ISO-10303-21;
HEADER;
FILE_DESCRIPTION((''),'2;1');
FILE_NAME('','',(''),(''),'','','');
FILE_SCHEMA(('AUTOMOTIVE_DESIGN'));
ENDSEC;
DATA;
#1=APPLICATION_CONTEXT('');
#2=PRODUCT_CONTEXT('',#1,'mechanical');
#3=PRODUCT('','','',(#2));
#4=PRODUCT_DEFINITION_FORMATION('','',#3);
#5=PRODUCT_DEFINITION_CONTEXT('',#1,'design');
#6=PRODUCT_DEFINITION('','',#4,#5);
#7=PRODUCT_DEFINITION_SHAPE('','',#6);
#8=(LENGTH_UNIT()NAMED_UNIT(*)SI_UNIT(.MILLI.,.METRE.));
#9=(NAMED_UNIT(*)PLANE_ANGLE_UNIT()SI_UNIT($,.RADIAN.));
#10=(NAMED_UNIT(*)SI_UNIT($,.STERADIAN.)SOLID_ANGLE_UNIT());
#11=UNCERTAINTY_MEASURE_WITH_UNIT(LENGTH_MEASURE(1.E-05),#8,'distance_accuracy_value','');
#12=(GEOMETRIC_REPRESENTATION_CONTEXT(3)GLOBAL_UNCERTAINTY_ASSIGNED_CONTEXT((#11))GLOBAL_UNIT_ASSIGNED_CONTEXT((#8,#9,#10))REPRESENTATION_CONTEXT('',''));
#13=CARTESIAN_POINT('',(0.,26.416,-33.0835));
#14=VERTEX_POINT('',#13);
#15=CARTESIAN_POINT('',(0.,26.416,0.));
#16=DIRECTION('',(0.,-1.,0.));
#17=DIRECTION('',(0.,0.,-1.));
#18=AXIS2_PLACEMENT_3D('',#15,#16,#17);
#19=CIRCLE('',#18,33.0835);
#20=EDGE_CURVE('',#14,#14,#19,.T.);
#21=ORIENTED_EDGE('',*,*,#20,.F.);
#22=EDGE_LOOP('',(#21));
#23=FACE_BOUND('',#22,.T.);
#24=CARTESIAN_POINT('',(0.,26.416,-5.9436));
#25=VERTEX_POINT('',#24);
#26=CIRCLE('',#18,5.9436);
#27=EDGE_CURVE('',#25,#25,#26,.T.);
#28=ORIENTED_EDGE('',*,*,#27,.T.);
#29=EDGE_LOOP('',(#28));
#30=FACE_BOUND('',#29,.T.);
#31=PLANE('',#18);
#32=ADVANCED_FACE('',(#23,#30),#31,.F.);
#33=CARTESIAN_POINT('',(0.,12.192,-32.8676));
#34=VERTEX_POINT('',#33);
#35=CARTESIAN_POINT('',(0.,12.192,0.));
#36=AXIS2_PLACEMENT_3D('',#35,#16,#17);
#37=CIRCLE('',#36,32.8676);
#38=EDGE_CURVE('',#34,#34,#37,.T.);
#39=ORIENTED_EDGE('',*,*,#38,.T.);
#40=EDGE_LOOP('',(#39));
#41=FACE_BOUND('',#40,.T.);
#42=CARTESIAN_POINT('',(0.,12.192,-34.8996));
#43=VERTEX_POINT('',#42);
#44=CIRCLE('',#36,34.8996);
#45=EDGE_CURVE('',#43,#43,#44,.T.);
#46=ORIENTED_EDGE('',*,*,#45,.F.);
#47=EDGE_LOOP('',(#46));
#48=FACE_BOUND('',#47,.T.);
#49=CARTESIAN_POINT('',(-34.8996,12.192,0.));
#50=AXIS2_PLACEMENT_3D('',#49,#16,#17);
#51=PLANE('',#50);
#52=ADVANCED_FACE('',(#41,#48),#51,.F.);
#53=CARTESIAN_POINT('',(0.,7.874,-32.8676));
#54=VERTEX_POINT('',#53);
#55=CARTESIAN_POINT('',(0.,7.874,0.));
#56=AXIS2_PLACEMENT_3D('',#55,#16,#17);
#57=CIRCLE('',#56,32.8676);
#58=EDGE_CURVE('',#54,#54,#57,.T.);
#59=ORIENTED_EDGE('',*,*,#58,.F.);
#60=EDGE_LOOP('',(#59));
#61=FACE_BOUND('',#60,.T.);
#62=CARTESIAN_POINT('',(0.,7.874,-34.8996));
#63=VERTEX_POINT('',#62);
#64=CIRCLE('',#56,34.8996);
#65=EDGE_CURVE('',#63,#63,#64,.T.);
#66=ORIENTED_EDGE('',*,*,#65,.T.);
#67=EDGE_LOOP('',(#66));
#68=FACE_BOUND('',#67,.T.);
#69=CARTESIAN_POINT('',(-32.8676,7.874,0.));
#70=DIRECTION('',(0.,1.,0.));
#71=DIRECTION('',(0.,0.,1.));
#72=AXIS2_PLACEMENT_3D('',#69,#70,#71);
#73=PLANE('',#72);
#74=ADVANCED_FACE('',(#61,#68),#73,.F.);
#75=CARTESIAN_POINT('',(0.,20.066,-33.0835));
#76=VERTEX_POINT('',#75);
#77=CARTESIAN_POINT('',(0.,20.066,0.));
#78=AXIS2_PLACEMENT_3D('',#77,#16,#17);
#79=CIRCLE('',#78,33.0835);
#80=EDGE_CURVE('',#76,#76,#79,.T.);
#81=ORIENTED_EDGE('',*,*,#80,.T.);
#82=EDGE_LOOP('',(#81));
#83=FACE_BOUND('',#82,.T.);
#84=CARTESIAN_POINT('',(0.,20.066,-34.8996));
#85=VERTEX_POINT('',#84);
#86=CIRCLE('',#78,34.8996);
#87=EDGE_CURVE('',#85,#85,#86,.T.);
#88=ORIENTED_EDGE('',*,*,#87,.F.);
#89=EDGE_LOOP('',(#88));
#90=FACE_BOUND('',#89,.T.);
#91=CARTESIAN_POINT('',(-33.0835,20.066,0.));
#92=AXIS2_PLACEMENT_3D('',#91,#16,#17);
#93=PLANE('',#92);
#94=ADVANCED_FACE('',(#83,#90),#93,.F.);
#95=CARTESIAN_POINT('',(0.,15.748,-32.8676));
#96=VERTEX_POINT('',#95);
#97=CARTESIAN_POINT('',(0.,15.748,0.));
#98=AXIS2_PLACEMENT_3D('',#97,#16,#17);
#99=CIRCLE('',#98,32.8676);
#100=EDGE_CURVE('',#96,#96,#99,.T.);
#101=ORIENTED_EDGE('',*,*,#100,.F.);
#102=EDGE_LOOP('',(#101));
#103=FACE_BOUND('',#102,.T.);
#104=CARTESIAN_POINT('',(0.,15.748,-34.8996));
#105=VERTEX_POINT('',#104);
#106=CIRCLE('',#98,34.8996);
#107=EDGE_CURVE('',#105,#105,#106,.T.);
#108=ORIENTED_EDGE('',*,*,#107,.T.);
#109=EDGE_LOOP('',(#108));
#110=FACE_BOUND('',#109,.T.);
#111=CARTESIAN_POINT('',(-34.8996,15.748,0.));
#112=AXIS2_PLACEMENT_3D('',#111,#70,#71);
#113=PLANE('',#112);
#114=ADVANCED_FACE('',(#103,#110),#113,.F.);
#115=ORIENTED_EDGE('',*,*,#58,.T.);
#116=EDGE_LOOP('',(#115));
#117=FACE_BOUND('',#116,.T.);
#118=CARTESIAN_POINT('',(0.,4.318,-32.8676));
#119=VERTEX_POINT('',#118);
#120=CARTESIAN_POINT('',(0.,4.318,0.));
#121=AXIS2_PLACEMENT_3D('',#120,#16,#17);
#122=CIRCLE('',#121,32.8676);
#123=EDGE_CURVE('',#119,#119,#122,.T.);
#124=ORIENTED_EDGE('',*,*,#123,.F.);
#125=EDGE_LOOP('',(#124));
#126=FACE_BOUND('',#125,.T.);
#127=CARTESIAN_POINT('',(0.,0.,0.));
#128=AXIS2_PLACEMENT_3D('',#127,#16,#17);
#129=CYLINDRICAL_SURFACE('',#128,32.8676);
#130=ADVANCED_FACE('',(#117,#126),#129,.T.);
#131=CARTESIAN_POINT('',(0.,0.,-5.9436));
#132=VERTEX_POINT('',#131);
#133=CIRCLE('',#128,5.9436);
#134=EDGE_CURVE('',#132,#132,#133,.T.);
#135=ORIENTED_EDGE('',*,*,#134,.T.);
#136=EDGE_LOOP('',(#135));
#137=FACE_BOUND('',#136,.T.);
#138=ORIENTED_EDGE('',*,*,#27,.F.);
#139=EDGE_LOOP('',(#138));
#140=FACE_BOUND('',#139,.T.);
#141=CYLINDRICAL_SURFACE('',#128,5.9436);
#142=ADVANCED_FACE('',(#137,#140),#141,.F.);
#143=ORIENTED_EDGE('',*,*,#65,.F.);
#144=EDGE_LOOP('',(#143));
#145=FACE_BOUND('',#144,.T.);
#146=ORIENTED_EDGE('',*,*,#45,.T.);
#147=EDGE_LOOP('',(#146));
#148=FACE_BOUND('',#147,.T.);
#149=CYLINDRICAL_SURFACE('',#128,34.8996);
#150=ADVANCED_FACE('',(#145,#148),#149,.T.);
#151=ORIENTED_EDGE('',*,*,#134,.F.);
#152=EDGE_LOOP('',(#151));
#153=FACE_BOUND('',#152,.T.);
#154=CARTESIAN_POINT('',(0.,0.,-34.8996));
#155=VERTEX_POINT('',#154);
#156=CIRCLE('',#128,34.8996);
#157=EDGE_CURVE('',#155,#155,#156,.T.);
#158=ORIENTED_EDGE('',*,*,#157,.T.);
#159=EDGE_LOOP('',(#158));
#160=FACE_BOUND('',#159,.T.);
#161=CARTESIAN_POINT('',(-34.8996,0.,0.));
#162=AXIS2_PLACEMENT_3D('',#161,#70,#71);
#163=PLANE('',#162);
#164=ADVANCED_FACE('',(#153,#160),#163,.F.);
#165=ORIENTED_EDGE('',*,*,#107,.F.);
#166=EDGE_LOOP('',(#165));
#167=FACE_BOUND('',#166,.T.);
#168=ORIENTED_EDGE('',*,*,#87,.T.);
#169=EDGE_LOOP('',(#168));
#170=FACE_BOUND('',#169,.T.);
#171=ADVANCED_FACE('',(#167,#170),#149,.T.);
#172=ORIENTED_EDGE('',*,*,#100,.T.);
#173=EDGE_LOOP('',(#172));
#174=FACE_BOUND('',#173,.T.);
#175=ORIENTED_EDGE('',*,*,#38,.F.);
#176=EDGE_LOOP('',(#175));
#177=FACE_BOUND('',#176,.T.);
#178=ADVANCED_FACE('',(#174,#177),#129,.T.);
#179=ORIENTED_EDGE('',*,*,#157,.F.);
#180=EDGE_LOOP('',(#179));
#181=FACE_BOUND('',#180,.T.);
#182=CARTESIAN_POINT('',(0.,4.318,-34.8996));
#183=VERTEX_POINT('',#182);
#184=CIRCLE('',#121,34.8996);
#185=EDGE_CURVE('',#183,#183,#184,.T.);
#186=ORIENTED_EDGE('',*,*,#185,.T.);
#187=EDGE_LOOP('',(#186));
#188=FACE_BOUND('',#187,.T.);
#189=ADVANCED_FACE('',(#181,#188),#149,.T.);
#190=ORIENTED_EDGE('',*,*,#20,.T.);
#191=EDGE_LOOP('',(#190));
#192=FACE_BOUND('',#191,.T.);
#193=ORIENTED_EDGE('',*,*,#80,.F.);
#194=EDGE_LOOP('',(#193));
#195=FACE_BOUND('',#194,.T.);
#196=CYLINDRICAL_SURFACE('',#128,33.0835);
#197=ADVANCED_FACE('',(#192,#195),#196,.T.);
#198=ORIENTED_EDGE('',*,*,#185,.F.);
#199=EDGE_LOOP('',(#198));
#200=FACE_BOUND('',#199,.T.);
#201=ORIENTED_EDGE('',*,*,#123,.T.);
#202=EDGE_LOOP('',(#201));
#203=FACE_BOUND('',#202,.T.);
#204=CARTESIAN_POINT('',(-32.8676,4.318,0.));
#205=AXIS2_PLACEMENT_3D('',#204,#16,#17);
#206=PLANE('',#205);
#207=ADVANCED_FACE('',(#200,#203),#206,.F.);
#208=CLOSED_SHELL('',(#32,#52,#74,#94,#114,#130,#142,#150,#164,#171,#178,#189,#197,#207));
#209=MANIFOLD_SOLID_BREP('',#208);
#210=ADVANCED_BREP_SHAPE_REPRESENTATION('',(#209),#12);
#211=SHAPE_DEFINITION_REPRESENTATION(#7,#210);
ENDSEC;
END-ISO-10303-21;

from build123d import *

# Parameters (mm, degrees)
F_1_4_18_NPSM_TAPPED_HOLE1_D = 11.8872


with BuildPart() as part:
    # Sketch8 → Revolve1 (revolve)
    with BuildSketch(Plane.XY):
        Polygon((0, 0), (0, 26.416), (-33.0835, 26.416), (-33.0835, 20.066), (-34.8996, 20.066), (-34.8996, 15.748), (-32.8676, 15.748), (-32.8676, 12.192), (-34.8996, 12.192), (-34.8996, 7.874), (-32.8676, 7.874), (-32.8676, 4.318), (-34.8996, 4.318), (-34.8996, 0), align=None)
    revolve(axis=Axis((0, 0, 0), (0, 1, 0)))

    # 1/4-18 NPSM Tapped Hole1 (through all)
    with Locations(Plane(origin=(0, 0, 0), x_dir=(-1, 0, 0), z_dir=(0, -1, 0))):
        with Locations((0, 0)):
            Hole(F_1_4_18_NPSM_TAPPED_HOLE1_D / 2)


solid = part.part
